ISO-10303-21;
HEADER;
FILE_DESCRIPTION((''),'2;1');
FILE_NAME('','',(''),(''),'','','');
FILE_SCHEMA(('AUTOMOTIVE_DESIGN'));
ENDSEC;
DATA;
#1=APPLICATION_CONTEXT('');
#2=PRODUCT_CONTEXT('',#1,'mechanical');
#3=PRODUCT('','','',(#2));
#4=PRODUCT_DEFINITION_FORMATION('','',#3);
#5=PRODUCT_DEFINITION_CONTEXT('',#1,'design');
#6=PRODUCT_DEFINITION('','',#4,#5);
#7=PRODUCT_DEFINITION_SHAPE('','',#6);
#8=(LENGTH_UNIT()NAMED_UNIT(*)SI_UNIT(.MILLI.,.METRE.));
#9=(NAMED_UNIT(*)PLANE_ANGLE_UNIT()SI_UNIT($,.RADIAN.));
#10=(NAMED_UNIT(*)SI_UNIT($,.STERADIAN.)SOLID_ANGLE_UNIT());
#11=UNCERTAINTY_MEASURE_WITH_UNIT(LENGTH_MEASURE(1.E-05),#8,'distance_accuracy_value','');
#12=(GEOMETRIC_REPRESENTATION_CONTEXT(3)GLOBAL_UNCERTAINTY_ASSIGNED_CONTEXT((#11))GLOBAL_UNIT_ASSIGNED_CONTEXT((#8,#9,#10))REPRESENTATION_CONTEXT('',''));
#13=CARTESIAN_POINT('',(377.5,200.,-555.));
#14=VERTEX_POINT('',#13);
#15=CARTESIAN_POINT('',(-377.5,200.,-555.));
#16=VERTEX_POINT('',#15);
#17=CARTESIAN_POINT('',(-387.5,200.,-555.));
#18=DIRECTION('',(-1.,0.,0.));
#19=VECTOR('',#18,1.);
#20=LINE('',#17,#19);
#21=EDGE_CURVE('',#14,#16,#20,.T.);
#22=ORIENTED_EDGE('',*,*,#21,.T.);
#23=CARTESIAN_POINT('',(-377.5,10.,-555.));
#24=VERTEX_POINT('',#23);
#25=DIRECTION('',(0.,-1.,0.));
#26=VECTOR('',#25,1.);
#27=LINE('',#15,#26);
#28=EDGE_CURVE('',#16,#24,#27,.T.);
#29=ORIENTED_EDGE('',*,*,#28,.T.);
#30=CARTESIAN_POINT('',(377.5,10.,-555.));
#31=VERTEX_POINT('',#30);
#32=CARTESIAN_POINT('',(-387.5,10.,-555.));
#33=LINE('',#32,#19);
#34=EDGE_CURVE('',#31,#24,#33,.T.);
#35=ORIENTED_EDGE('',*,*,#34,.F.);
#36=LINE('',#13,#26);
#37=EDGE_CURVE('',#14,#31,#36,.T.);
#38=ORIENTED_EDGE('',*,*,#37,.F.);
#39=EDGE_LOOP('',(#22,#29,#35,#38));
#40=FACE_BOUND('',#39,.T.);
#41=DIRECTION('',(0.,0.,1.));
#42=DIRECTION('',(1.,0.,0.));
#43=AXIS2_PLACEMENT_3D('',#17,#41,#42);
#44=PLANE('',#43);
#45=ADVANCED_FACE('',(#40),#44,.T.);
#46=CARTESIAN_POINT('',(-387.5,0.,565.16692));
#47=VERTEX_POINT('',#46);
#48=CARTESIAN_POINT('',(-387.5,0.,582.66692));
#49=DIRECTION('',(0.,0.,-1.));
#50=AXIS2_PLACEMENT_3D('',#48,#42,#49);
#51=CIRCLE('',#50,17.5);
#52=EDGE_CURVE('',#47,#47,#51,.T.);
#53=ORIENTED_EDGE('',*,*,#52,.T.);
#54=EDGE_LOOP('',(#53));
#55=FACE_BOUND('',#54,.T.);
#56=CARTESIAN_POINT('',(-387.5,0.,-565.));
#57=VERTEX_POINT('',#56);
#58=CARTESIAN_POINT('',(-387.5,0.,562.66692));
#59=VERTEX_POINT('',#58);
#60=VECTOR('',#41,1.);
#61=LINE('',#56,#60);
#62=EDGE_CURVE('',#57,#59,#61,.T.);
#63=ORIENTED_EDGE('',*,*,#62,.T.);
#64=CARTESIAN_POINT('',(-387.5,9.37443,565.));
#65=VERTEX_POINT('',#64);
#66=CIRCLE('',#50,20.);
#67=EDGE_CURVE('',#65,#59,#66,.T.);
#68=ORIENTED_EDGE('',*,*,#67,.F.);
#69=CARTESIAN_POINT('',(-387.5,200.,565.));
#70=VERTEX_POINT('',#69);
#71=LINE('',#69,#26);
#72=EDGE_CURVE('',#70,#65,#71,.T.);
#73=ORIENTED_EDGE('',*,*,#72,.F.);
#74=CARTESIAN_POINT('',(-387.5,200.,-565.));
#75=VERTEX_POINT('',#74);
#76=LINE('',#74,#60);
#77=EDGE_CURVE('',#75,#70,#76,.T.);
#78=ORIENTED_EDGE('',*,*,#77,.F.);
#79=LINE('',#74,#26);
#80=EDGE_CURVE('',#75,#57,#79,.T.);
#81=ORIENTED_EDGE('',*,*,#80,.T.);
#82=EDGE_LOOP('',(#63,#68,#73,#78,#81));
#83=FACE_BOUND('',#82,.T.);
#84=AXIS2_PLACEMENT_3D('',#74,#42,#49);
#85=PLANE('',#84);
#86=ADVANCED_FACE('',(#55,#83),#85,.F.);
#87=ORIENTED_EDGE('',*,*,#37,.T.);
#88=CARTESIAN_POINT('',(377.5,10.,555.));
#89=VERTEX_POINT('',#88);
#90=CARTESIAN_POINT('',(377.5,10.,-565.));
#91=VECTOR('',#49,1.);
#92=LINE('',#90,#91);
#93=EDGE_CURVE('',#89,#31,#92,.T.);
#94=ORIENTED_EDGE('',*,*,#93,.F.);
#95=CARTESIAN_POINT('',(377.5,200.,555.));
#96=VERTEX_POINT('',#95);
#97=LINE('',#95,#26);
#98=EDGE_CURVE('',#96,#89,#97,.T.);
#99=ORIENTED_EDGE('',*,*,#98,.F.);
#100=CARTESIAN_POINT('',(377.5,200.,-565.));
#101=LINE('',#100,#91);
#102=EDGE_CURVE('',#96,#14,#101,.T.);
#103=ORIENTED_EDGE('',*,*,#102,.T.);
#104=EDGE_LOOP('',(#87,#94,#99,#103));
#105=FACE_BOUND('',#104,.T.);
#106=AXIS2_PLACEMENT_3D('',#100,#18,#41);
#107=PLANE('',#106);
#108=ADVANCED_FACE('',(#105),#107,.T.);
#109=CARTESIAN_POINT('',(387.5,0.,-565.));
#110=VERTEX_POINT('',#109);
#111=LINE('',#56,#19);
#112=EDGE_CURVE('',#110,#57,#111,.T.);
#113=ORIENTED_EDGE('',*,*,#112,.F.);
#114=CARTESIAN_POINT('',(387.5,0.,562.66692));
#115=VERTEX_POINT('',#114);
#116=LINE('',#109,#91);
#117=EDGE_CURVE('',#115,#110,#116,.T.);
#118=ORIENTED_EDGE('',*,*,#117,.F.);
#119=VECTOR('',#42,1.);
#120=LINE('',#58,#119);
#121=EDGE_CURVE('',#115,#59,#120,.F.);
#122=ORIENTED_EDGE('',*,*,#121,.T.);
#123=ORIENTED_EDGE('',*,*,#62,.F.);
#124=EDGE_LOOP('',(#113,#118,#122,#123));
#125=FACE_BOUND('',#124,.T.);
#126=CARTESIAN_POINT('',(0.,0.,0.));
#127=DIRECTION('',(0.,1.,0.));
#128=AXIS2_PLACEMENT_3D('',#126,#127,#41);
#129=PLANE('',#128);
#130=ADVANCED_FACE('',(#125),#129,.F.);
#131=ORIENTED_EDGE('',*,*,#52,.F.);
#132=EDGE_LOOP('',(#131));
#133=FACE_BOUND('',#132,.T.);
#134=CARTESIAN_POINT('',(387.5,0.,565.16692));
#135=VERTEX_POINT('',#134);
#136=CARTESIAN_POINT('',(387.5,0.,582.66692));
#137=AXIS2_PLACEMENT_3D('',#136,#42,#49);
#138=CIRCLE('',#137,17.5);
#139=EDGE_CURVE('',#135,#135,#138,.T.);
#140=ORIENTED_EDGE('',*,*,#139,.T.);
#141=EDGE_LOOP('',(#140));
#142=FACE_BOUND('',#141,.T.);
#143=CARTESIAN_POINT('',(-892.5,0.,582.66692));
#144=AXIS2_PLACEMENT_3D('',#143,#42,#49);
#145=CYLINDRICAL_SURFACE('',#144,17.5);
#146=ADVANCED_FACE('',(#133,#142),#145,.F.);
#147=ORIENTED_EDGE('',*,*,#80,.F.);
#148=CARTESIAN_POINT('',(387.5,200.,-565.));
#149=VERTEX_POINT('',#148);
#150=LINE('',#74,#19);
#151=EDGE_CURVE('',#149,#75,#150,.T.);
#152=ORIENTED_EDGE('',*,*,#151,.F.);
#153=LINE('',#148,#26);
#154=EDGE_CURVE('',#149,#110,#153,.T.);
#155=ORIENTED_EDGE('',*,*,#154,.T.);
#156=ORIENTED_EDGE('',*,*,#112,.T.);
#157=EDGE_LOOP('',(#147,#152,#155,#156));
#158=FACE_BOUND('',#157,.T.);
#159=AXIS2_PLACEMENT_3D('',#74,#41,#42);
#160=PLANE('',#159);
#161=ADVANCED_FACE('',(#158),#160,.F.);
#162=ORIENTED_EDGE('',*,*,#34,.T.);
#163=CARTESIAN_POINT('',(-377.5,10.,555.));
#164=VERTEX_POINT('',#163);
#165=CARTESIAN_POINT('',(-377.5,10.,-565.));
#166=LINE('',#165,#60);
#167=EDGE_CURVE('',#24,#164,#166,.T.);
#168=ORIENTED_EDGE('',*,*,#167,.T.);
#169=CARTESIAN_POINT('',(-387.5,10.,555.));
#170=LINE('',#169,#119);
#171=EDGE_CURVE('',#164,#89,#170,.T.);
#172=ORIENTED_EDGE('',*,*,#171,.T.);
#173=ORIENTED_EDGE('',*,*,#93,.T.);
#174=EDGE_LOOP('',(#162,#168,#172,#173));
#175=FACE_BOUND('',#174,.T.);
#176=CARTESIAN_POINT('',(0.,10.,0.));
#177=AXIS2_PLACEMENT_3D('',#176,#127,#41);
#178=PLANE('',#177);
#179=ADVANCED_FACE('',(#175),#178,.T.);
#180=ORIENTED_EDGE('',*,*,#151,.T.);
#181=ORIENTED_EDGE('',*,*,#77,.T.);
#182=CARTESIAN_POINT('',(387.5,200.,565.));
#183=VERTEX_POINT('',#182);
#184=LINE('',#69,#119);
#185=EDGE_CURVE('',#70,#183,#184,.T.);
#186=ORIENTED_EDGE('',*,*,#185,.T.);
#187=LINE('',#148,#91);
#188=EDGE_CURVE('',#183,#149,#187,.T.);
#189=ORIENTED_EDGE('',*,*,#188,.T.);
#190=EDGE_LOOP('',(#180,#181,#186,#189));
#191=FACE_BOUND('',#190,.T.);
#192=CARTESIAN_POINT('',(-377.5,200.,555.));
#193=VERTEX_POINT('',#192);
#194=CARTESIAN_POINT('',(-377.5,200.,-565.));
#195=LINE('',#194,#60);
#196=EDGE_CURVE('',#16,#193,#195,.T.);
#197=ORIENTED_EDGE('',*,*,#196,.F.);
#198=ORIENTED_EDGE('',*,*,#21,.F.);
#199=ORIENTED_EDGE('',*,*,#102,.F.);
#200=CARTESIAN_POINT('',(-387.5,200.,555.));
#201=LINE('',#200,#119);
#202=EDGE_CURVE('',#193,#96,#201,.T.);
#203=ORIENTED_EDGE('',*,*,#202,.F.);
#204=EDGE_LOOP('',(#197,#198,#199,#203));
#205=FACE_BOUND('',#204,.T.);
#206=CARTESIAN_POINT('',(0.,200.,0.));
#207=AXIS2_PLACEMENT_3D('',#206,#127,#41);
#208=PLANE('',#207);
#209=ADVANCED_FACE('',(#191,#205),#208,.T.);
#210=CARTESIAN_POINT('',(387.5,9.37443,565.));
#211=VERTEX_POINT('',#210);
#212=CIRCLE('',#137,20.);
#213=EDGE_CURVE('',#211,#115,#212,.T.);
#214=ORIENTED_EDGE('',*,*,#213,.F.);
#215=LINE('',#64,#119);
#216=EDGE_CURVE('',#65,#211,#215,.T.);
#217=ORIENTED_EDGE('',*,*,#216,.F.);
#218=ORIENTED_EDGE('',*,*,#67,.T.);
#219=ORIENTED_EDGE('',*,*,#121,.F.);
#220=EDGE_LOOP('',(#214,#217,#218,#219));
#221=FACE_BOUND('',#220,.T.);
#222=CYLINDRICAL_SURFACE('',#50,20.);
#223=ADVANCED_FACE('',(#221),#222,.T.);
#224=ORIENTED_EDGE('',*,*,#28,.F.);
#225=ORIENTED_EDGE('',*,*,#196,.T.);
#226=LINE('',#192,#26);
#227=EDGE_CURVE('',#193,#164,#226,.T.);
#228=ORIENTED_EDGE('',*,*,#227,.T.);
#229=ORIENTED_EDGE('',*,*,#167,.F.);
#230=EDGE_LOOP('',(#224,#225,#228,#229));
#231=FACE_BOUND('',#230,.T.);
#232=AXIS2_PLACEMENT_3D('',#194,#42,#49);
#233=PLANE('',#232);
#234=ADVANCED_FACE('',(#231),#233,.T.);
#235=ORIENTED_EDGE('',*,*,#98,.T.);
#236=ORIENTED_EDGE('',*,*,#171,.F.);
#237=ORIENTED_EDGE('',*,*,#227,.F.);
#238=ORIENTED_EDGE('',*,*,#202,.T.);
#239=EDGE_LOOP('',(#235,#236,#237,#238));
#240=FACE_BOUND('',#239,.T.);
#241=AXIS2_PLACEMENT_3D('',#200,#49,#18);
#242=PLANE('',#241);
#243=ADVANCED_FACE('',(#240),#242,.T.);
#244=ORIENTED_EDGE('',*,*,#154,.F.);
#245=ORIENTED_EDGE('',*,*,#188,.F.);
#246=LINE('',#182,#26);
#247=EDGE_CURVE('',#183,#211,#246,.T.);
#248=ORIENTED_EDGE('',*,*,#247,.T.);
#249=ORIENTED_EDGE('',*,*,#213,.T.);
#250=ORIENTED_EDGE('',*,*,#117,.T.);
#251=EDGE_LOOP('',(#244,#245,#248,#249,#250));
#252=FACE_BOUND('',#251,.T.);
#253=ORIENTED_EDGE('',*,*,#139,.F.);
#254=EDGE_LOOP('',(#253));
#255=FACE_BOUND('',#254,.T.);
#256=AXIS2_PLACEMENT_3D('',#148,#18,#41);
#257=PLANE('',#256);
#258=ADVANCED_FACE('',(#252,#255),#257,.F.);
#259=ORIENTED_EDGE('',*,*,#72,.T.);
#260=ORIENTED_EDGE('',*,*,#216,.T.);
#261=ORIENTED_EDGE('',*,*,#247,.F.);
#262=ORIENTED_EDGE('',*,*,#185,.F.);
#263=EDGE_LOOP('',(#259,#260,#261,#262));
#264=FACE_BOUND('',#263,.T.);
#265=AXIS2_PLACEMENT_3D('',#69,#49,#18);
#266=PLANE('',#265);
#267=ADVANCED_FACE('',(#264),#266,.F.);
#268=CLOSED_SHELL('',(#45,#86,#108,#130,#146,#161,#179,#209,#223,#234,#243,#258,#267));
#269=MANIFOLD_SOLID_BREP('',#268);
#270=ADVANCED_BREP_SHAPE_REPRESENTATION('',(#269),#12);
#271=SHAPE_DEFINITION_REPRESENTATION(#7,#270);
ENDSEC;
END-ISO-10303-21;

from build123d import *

# Parameters (mm, degrees)
SKETCH1_W           = 775
SKETCH1_H           = 1130
BOSS_EXTRUDE1_DEPTH = 200
SHELL1_T            = -10
SKETCH4_R           = 20
BOSS_EXTRUDE3_DEPTH = 775
SKETCH5_R           = 17.5
CUT_EXTRUDE2_DEPTH  = 1280


with BuildPart() as part:
    # Sketch1 → Boss-Extrude1 (new body)
    with BuildSketch(Plane(origin=(0, 0, 0), x_dir=(1, 0, 0), z_dir=(0, 1, 0))):
        Rectangle(SKETCH1_W, SKETCH1_H)
    extrude(amount=BOSS_EXTRUDE1_DEPTH)

    # Shell1
    shell1_openings = [part.faces().sort_by_distance(p)[0] for p in [
        (0, 200, 0),
    ]]
    offset(amount=SHELL1_T, openings=shell1_openings, kind=Kind.INTERSECTION)

    # Sketch4 → Boss-Extrude3 (add)
    with BuildSketch(Plane(origin=(387.5, 0, 0), x_dir=(0, 0, -1), z_dir=(1, 0, 0))):
        with Locations((-582.66692, 0)):
            Circle(SKETCH4_R)
    extrude(amount=-BOSS_EXTRUDE3_DEPTH)

    # Sketch5 → Cut-Extrude2 (cut)
    with BuildSketch(Plane(origin=(387.5, 0, 0), x_dir=(0, 0, -1), z_dir=(1, 0, 0))):
        with Locations((-582.66692, 0)):
            Circle(SKETCH5_R)
    extrude(amount=-CUT_EXTRUDE2_DEPTH, mode=Mode.SUBTRACT)


solid = part.part
